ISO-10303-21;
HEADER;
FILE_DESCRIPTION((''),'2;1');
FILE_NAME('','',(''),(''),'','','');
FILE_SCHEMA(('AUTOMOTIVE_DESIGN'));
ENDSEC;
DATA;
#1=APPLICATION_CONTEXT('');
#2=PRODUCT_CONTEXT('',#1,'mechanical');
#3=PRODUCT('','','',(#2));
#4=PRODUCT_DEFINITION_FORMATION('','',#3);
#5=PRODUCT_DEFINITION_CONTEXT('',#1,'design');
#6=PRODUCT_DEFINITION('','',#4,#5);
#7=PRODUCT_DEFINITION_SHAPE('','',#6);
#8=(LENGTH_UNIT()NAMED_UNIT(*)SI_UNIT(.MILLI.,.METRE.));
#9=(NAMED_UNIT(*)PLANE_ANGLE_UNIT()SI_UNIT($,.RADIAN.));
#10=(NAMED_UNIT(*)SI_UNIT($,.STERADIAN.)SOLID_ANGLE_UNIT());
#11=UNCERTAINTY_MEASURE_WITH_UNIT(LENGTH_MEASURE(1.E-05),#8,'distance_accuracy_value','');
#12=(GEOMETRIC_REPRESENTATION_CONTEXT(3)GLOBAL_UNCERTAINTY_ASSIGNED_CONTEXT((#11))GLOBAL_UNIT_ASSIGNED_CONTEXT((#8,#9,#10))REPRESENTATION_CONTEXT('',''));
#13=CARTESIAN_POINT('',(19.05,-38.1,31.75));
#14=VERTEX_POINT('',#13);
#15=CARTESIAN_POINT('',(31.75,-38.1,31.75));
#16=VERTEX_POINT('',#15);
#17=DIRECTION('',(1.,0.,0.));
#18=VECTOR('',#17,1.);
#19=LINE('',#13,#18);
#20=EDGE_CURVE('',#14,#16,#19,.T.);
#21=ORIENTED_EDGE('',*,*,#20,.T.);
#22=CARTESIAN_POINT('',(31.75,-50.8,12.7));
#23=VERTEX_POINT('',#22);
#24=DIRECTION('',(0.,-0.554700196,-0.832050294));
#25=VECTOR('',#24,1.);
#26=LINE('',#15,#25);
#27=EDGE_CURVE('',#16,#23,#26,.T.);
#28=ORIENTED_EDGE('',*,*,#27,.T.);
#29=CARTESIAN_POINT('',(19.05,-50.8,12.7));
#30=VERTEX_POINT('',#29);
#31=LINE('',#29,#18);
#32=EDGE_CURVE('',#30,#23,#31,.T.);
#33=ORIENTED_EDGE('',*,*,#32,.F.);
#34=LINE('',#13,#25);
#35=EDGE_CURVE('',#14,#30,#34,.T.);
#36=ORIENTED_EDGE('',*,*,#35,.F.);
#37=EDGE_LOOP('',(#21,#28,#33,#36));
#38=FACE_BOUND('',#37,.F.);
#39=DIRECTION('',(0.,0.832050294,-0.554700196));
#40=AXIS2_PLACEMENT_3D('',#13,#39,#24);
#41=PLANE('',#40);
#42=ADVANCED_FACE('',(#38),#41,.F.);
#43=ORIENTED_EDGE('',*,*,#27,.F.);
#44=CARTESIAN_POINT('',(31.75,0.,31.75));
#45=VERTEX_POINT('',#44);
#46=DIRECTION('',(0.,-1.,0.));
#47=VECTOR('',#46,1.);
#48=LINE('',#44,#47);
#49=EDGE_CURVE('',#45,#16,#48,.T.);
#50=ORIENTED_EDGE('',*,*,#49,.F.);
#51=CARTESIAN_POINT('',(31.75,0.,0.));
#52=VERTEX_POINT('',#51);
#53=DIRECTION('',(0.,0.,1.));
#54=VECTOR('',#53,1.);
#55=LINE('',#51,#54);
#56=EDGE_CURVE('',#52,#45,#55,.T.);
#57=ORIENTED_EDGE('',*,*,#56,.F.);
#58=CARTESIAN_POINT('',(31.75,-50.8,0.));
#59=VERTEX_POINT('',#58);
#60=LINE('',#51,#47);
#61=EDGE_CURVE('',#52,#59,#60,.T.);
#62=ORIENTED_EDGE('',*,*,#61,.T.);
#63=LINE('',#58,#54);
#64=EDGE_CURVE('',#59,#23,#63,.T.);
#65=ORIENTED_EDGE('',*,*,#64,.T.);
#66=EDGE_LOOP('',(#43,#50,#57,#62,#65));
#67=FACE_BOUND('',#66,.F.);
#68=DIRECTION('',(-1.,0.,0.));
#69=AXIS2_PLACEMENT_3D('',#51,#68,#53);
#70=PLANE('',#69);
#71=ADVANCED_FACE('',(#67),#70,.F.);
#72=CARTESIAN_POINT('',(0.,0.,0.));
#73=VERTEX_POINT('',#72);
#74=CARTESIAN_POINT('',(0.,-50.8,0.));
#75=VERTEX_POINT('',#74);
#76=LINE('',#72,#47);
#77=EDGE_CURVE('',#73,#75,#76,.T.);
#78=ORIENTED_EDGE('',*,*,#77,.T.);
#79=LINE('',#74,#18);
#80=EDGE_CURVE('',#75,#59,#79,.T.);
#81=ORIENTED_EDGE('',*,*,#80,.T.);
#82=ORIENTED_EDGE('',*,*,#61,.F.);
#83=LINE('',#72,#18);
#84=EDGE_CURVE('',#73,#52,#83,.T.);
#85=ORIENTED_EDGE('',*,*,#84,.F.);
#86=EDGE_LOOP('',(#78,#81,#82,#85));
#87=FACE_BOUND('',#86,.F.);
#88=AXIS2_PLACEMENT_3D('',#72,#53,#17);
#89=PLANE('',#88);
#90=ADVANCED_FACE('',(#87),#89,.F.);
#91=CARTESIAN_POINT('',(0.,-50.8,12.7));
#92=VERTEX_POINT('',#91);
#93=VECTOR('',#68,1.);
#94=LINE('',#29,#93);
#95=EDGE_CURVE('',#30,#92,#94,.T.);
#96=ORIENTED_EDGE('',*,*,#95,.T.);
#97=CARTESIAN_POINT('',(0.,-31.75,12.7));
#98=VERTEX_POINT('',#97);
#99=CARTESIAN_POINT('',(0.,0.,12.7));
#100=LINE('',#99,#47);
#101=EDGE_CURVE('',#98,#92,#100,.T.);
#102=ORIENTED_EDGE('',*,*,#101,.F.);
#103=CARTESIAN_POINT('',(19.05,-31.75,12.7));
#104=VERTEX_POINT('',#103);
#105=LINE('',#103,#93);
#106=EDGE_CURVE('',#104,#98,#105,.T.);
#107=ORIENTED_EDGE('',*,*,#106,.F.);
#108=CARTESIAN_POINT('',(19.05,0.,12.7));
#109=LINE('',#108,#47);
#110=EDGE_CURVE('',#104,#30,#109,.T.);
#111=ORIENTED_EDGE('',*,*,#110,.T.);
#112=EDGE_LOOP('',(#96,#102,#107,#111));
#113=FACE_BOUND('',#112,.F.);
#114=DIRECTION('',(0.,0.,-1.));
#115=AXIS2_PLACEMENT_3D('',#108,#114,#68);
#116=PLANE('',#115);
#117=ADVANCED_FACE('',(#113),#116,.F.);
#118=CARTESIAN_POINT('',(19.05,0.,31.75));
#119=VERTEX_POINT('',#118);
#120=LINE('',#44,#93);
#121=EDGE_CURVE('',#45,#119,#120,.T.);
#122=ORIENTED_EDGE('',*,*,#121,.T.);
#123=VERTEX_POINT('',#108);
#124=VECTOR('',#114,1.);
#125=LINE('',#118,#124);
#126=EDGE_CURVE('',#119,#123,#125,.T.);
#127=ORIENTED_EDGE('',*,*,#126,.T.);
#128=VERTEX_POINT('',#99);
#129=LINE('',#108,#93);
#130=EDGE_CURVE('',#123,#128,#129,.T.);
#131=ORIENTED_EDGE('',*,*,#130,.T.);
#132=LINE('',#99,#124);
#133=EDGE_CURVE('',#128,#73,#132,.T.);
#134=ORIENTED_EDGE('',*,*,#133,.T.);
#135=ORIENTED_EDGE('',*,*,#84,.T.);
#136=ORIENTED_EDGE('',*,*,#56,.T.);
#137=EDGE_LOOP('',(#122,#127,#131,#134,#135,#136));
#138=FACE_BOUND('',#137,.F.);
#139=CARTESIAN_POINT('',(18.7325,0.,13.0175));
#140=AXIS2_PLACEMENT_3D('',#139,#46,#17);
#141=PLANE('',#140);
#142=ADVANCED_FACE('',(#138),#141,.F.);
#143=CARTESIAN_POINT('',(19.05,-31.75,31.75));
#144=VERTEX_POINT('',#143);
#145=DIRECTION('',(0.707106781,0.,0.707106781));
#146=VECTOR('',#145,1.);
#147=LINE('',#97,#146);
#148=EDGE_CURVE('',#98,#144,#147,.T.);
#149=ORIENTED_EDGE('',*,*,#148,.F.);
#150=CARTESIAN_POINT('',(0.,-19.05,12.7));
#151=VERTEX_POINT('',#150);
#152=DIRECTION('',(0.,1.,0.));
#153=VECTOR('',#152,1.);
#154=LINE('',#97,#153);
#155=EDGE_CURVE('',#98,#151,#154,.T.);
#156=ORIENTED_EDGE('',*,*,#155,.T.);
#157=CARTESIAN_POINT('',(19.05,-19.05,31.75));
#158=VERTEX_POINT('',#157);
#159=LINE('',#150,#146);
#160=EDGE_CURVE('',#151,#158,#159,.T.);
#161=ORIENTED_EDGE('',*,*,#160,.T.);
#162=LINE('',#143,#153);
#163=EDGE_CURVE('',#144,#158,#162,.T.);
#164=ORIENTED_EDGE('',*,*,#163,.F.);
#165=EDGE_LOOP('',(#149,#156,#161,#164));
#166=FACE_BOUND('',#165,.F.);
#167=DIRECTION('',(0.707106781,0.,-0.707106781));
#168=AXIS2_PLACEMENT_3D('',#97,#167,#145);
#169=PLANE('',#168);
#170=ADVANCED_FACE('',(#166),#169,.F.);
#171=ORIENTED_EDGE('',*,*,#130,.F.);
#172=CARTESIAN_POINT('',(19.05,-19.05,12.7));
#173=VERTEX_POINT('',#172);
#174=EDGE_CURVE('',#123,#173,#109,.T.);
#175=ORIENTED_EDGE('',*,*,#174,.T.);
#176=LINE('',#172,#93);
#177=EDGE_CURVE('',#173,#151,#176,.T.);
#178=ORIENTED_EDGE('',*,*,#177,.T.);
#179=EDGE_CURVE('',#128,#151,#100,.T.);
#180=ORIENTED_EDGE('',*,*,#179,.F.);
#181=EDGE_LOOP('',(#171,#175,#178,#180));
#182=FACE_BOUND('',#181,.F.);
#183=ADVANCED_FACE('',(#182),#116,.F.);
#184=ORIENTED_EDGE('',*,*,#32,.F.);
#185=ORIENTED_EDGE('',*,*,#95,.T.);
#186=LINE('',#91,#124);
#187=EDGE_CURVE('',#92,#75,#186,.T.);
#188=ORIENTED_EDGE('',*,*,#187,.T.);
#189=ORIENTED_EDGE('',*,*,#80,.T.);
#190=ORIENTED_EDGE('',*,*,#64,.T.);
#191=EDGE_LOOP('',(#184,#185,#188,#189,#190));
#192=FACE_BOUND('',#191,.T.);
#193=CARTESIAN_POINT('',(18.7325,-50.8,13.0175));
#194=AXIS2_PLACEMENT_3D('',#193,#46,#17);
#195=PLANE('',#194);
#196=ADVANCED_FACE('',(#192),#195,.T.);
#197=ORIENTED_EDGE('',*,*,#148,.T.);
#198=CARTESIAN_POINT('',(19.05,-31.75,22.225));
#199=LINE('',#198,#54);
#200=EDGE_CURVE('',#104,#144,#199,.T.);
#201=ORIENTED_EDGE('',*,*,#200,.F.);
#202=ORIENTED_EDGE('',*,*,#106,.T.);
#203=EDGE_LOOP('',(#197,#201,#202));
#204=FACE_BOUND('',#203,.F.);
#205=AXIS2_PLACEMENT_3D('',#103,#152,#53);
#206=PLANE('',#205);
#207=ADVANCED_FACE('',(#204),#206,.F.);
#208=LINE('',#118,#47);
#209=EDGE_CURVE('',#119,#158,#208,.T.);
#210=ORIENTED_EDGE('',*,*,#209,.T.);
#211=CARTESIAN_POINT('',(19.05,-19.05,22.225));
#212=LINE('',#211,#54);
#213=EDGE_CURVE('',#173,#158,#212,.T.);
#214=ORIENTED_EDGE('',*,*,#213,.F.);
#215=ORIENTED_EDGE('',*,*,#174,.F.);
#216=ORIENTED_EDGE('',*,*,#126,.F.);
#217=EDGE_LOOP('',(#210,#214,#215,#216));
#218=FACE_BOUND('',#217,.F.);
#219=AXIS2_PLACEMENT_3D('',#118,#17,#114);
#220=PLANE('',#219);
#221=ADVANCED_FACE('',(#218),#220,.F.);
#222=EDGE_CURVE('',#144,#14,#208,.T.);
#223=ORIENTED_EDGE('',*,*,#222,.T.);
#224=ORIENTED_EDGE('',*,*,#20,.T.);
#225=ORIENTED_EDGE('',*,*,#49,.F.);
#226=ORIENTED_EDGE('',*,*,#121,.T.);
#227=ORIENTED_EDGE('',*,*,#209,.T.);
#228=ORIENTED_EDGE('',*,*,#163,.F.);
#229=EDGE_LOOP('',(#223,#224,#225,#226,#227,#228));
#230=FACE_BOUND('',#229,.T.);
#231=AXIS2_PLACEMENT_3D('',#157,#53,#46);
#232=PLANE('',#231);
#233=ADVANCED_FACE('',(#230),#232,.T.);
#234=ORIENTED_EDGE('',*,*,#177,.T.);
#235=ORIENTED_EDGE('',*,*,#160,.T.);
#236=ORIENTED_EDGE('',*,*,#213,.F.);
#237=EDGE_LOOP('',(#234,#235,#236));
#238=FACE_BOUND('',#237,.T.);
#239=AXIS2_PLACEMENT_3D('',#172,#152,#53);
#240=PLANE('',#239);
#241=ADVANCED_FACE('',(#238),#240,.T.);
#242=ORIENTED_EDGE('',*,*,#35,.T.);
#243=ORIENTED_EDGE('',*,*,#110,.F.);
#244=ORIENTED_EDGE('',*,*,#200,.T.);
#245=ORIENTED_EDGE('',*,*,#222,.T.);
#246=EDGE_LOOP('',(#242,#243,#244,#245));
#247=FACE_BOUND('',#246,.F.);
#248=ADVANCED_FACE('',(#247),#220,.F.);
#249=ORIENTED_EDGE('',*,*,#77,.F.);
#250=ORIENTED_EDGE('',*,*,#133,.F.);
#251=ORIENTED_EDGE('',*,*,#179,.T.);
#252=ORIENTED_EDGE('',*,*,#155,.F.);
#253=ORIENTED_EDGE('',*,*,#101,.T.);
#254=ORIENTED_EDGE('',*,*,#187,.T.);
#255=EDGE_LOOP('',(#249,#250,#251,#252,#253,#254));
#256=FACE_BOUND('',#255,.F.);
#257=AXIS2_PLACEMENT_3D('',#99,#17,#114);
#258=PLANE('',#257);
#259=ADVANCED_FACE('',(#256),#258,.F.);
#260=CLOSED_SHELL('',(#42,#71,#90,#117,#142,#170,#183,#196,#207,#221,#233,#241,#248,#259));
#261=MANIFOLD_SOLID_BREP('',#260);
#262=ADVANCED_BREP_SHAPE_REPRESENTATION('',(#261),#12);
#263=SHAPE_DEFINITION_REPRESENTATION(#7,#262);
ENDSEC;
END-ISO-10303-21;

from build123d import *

# Parameters (mm, degrees)
F1_DEPTH = 50.8
F2_W     = 12.7
F2_H     = 19.05
F3_DEPTH = 19.05
F5_DEPTH = 12.7
F7_DEPTH = 12.7


with BuildPart() as f1:
    # F0 (on Front) → F1 (new body)
    with BuildSketch(Plane.XZ):
        Polygon((0, 12.7), (0, 0), (31.75, 0), (31.75, 31.75), (19.05, 31.75), (19.05, 12.7), align=None)
    extrude(amount=F1_DEPTH)

    # F2 (on face) → F3 (join)
    with BuildSketch(Plane(origin=(19.05, 0, 0), x_dir=(0, -1, 0), z_dir=(-1, 0, 0))):
        with Locations((25.4, 22.225)):
            Rectangle(F2_W, F2_H)
    extrude(amount=F3_DEPTH)

    # F4 (on face) → F5 (cut)
    with BuildSketch(Plane.XZ.offset(31.75)):
        Polygon((0, 31.75), (0, 12.7), (19.05, 31.75), align=None)
    extrude(amount=-F5_DEPTH, mode=Mode.SUBTRACT)

    # F6 (on face) → F7 (cut)
    with BuildSketch(Plane(origin=(19.05, 0, 0), x_dir=(0, -1, 0), z_dir=(-1, 0, 0))):
        Polygon((50.8, 31.75), (38.1, 31.75), (50.8, 12.7), align=None)
    extrude(amount=-F7_DEPTH, mode=Mode.SUBTRACT)


solid = f1.part
